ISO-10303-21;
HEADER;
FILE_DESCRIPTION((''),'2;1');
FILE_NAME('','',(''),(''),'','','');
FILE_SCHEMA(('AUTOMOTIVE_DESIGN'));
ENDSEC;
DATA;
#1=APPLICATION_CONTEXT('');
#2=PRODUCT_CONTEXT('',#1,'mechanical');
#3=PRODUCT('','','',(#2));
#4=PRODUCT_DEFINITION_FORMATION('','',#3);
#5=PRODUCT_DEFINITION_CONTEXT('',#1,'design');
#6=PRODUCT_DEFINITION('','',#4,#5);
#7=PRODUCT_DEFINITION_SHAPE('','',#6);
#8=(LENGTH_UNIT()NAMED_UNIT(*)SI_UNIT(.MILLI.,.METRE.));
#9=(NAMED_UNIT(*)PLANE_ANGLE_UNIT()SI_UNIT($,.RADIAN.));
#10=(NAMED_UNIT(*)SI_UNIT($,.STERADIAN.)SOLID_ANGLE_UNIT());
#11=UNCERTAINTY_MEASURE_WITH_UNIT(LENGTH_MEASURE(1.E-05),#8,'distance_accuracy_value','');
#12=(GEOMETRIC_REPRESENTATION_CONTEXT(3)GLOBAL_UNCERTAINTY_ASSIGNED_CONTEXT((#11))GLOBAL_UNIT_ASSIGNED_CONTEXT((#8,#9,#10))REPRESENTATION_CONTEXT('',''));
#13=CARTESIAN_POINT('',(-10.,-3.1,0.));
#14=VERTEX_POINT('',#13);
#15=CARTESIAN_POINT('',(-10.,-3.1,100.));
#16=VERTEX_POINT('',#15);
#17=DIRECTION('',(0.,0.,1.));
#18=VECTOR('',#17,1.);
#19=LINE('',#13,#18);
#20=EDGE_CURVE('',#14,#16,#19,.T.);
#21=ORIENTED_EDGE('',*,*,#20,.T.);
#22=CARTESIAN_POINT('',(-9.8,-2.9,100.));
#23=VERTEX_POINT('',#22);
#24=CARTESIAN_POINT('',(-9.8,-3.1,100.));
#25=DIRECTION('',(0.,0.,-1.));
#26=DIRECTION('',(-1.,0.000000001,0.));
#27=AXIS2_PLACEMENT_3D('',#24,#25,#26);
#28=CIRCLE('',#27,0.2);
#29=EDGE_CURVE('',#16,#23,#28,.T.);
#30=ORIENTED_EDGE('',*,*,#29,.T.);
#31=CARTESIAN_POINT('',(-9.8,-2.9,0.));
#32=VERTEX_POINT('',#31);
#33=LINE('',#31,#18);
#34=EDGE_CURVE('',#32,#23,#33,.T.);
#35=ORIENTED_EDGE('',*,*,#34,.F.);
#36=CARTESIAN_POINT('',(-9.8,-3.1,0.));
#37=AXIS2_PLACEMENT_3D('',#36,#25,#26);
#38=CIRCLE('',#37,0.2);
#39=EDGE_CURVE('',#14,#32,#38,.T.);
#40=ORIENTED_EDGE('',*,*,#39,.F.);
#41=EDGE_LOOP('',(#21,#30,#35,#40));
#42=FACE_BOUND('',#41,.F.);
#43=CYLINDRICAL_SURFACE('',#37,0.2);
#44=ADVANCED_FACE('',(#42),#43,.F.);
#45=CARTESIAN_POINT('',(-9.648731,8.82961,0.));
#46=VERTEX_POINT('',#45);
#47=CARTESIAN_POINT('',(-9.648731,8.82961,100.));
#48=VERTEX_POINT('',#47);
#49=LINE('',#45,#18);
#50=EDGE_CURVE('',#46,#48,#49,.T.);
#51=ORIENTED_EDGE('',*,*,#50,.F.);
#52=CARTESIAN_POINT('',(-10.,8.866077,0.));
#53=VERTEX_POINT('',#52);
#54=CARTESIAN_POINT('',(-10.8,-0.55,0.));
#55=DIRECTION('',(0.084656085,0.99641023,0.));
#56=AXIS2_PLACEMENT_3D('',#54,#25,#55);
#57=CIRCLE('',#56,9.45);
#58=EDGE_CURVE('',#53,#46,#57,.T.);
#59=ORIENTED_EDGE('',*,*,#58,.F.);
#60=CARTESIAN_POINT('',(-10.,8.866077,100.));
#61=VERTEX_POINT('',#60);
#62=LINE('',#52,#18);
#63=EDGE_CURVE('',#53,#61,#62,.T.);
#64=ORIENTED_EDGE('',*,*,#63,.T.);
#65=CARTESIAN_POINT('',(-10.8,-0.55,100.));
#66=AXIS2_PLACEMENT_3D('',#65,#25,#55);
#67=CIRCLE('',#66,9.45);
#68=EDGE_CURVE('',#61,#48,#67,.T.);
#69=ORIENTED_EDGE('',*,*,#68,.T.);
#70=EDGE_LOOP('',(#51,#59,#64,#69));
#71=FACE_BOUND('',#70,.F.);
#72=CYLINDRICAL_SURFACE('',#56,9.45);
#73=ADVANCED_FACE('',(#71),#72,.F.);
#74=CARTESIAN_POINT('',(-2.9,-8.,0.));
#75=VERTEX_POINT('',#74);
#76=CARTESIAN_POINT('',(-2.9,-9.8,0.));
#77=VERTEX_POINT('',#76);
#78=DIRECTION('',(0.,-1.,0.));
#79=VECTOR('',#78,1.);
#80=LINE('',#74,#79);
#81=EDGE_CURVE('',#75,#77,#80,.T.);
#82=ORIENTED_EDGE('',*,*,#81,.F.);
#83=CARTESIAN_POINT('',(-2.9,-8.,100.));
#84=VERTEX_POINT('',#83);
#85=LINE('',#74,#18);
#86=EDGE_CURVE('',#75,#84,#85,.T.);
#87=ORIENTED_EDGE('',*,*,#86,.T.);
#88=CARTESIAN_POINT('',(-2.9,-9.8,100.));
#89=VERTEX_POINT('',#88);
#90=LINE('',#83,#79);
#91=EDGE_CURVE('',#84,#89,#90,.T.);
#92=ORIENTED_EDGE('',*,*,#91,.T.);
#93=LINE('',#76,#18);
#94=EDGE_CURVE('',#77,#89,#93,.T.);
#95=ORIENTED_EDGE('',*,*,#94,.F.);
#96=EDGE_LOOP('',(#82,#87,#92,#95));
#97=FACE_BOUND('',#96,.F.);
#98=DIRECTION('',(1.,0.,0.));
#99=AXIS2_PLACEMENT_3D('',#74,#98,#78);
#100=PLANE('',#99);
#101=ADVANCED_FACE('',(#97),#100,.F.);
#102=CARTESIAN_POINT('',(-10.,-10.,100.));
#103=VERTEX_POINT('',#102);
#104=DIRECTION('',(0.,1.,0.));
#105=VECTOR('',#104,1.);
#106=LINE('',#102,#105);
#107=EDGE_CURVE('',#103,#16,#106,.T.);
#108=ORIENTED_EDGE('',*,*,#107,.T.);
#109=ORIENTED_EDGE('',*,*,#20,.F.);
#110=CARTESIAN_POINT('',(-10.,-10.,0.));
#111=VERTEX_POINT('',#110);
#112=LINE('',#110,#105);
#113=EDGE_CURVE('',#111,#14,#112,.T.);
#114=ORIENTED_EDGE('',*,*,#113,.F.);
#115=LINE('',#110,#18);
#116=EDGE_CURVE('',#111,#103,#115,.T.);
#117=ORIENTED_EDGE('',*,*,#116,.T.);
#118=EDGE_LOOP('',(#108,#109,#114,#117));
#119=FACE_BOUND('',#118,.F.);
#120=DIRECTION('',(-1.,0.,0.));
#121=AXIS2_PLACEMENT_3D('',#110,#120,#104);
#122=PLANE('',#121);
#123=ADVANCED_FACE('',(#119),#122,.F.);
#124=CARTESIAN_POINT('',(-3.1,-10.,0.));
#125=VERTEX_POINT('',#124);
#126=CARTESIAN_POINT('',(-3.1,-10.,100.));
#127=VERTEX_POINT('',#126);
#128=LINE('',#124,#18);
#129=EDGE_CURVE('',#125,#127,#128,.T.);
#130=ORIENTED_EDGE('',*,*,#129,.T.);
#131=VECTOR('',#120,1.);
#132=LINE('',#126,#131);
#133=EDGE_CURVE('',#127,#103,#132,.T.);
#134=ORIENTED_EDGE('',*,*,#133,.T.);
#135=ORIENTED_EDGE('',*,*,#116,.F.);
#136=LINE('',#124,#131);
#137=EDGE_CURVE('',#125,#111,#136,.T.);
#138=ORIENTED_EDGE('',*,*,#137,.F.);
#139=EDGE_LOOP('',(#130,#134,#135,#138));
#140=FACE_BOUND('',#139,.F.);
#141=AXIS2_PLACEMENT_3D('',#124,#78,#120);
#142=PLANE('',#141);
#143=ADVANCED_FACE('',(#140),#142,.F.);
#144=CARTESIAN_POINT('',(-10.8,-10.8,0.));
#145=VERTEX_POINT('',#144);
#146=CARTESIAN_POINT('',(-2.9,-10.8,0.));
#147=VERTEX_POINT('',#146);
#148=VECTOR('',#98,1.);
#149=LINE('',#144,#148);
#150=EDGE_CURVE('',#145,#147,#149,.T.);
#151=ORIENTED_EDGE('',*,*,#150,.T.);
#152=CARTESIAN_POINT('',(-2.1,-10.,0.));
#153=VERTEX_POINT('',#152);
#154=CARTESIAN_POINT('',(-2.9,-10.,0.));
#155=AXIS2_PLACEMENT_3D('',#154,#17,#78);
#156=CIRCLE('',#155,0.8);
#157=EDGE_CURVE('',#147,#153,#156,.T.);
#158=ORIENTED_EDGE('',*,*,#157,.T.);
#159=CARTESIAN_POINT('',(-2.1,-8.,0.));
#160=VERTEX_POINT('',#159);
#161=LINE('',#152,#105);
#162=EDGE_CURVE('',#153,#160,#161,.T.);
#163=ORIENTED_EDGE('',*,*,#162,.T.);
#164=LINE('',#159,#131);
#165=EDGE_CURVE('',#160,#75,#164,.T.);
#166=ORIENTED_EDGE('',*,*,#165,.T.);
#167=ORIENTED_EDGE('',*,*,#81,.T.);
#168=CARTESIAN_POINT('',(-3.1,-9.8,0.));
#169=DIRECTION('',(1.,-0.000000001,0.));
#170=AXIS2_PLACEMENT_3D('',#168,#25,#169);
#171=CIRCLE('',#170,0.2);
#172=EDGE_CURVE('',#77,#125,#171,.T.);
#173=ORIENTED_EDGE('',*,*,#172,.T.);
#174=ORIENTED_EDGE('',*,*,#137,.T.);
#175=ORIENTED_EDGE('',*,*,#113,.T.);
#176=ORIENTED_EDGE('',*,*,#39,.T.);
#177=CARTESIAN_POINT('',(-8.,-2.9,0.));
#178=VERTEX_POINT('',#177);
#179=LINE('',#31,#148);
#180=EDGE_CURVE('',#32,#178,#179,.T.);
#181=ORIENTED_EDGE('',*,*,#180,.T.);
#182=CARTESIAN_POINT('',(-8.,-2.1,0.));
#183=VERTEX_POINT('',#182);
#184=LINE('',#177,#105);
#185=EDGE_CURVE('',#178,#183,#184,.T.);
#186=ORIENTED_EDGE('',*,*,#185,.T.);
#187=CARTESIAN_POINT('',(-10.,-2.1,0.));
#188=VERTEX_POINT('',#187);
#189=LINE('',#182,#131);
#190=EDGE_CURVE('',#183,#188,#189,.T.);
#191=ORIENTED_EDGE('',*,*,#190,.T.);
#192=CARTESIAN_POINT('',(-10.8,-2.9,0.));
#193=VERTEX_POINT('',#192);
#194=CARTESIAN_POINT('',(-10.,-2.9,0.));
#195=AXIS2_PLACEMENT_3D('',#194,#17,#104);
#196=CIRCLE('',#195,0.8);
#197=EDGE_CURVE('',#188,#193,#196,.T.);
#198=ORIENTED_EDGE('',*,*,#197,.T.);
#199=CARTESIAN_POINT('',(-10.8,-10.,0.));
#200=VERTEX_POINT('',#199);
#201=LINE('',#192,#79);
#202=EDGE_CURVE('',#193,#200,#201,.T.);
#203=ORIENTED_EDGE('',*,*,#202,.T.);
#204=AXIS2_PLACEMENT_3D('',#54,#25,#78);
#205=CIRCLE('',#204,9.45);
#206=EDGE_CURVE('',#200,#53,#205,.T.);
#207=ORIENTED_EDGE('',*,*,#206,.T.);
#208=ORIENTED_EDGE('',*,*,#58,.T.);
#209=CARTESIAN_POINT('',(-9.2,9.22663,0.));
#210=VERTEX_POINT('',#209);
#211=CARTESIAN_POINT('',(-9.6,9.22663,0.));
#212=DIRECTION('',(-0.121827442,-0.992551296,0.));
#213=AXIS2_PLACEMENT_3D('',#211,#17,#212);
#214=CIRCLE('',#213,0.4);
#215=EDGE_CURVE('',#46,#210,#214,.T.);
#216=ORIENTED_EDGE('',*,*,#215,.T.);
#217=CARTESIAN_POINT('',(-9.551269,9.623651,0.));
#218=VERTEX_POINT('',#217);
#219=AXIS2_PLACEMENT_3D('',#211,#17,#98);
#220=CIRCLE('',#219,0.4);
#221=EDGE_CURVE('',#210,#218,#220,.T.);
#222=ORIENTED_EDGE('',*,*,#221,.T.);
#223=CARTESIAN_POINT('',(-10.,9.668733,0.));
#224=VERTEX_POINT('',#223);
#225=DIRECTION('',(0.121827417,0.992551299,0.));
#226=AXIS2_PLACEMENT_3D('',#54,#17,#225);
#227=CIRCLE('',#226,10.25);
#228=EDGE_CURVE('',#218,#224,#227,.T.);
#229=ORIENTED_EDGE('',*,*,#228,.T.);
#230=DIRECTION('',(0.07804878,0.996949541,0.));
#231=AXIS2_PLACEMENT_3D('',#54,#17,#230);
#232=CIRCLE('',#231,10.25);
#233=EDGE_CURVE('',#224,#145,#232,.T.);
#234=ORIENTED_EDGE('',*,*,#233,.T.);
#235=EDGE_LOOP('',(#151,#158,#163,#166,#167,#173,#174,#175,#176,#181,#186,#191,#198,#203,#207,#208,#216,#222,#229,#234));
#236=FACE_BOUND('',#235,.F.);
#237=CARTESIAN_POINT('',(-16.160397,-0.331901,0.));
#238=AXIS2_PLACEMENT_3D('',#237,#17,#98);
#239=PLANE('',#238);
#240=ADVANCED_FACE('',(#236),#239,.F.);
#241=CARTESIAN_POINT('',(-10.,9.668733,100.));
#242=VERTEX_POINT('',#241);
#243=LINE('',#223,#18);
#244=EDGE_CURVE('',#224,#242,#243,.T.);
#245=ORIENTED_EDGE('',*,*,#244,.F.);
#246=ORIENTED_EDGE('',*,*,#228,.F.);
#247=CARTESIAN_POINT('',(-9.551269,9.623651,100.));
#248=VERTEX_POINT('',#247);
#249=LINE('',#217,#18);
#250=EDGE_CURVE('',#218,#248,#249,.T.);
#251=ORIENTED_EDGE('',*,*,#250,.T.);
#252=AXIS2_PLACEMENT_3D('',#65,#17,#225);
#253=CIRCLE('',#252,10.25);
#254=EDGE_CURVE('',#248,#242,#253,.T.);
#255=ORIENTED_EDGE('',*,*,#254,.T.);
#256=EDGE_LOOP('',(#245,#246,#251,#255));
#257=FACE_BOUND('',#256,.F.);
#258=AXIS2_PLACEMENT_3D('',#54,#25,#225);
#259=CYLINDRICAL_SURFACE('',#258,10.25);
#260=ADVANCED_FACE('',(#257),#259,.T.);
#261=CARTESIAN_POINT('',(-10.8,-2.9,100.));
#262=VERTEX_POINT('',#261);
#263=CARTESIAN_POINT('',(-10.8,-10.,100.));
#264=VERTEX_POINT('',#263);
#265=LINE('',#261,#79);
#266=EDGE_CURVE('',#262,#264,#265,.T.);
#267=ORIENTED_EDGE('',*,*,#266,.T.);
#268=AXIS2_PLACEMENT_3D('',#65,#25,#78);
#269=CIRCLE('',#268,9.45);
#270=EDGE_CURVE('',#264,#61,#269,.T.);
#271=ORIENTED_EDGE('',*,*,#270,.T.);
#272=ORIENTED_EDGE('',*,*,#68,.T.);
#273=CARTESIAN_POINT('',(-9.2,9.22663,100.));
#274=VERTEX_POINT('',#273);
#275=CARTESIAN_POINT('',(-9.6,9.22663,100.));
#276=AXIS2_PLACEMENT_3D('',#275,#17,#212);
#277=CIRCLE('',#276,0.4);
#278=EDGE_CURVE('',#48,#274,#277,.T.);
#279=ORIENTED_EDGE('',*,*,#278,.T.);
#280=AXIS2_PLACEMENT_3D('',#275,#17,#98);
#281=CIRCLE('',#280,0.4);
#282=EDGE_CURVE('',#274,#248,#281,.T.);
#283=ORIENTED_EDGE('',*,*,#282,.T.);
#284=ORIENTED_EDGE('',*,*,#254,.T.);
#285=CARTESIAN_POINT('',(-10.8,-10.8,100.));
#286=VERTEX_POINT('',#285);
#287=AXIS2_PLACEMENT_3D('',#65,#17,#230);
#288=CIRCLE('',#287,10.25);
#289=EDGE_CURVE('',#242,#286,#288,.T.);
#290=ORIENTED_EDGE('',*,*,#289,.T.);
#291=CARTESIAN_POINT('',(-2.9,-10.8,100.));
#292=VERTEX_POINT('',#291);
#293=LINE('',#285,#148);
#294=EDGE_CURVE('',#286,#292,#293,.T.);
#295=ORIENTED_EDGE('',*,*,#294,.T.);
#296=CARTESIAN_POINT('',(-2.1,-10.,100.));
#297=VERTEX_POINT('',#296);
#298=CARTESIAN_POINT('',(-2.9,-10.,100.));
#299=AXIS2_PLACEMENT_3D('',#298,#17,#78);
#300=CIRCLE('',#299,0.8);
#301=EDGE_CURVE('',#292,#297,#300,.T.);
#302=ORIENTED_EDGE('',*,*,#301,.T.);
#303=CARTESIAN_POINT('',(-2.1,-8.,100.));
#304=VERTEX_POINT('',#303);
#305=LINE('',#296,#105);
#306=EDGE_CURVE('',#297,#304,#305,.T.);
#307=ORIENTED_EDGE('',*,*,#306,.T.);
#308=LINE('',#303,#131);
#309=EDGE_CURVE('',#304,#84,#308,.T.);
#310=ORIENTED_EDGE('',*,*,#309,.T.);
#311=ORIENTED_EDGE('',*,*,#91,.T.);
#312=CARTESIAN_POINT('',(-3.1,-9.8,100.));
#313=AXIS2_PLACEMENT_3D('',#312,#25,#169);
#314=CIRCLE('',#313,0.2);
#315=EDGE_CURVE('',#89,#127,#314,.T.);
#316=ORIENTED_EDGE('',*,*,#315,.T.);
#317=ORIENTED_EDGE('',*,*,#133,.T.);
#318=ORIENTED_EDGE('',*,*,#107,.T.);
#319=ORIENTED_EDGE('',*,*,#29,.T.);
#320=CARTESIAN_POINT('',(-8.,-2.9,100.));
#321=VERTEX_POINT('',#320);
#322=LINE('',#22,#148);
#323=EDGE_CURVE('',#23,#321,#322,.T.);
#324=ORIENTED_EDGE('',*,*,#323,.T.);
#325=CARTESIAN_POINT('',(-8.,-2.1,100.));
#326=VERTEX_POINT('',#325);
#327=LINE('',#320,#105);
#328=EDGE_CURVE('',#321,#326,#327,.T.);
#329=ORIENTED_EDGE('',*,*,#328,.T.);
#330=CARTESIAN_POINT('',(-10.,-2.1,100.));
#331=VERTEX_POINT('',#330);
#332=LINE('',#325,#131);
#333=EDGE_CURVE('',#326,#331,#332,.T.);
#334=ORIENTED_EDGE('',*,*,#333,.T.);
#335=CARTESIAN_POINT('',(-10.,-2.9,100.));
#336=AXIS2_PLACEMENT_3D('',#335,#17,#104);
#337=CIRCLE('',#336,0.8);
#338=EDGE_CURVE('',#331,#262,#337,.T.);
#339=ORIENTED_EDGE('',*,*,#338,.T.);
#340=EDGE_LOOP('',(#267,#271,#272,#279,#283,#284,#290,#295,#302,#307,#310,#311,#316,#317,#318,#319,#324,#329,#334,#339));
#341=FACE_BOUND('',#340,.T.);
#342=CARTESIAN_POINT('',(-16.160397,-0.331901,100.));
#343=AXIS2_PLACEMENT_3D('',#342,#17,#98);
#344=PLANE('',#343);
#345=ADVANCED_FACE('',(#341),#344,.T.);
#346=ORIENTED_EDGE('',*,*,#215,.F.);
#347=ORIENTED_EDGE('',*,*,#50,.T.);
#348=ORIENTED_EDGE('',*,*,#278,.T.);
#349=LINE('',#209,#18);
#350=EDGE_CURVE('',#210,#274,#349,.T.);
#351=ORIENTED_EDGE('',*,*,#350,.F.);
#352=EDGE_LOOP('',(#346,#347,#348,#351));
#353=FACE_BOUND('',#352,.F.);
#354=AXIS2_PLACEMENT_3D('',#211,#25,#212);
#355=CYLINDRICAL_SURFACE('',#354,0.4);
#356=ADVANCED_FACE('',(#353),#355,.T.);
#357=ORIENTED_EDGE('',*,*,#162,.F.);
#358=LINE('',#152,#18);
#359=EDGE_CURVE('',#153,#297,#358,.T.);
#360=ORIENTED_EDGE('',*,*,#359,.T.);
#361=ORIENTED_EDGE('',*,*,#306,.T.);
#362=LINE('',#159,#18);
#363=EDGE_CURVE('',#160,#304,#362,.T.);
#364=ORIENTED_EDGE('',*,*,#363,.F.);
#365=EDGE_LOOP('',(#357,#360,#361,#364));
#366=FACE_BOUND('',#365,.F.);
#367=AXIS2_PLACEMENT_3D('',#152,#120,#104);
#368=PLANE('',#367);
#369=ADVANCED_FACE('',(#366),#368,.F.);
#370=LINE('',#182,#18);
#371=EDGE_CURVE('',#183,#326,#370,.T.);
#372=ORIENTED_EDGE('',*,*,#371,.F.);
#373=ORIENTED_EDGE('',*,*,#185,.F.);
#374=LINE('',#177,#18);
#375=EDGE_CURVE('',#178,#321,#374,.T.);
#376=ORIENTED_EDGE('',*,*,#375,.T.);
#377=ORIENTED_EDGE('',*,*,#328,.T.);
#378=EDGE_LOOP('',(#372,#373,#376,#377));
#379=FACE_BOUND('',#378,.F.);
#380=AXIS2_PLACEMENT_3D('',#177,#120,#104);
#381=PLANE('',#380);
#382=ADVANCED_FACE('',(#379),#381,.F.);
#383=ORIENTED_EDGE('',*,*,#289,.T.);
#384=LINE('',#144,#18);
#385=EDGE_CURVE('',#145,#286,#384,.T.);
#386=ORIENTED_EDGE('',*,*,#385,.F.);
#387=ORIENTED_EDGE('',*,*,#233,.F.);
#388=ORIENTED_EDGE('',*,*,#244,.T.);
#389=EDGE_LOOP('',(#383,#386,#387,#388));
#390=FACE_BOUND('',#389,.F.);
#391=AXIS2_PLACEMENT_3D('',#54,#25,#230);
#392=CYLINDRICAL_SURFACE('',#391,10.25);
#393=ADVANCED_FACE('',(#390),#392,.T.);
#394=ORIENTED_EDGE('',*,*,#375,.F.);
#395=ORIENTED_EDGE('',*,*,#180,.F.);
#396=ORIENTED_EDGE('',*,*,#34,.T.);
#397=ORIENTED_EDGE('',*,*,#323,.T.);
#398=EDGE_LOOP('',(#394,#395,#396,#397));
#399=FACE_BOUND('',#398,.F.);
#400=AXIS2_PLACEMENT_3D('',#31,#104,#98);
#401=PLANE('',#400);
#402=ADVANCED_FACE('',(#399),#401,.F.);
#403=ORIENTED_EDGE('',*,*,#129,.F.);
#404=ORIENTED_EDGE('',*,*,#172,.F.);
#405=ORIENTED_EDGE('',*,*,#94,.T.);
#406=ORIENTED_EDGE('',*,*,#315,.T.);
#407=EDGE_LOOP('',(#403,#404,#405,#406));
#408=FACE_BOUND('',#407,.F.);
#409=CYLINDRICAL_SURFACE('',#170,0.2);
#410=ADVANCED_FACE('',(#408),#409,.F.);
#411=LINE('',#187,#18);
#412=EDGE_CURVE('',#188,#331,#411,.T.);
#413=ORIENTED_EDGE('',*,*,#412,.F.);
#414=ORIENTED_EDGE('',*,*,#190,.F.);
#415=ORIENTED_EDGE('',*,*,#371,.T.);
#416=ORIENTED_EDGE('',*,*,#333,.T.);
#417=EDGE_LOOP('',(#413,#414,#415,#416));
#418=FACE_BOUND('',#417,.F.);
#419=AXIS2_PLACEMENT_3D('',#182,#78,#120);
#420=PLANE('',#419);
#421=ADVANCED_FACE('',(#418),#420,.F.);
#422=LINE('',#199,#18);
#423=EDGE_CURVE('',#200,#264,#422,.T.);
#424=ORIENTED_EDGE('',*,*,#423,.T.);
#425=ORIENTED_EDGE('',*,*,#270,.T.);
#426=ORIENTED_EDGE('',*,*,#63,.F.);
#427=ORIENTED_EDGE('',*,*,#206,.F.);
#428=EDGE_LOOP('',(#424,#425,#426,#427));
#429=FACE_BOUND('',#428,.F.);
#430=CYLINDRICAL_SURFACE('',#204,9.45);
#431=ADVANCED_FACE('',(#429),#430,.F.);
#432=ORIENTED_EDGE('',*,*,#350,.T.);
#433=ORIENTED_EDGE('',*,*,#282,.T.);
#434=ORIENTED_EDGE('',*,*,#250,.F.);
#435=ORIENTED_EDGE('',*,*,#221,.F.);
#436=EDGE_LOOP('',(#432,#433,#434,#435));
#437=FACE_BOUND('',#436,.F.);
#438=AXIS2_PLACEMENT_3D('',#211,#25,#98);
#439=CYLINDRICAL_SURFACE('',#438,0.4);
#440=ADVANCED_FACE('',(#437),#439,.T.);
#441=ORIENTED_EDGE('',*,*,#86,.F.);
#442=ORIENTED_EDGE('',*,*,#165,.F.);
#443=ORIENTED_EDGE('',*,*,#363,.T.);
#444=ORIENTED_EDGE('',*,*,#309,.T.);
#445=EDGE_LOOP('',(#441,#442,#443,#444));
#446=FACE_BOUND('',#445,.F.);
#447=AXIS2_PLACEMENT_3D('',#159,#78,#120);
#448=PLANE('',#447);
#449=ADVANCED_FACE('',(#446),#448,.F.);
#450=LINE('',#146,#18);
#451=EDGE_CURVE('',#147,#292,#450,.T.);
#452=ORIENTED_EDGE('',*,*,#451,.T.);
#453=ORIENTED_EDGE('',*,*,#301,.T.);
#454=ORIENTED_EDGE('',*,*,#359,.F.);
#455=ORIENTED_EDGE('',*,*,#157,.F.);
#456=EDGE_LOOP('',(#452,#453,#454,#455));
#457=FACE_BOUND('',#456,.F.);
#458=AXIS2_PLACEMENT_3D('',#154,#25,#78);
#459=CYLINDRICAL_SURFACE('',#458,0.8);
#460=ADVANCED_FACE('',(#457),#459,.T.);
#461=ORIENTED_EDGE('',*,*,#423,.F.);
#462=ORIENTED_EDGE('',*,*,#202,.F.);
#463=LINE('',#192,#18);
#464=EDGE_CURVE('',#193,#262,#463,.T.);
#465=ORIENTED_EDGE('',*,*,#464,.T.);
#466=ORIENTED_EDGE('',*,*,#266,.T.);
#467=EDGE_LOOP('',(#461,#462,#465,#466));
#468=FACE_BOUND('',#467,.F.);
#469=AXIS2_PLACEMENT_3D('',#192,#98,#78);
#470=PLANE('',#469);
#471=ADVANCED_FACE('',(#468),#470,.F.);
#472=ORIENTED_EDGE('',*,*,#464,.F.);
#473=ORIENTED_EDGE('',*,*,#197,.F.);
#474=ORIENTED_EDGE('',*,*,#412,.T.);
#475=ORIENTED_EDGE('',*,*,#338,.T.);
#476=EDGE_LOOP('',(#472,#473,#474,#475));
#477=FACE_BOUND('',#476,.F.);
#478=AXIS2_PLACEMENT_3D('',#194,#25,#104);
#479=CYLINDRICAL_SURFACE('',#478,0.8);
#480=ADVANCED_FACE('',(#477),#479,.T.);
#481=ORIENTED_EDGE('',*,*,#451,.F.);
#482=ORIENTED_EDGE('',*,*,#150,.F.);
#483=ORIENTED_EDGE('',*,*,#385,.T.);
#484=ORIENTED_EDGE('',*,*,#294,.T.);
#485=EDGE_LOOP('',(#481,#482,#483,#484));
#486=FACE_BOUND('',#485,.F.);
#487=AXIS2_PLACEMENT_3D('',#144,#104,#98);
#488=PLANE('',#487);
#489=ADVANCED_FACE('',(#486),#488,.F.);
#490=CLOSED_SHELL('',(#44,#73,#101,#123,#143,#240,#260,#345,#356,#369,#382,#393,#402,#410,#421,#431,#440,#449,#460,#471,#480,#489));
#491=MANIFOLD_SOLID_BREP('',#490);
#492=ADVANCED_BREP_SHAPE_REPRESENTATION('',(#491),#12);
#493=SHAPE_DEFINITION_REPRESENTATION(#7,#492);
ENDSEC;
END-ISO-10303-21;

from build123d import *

# Parameters (mm, degrees)
F1_DEPTH = 100


with BuildPart() as f1:
    # F0 (on Top) → F1 (new body)
    with BuildSketch(Plane.XY):
        with BuildLine():
            ThreePointArc((-10, 9.6687327982), (-21.0421802167, -0.1496946047), (-10.8, -10.8))
            Line((-10.8, -10.8), (-10.8, -10))
            ThreePointArc((-10.8, -10), (-20.2415153605, -0.1496405391), (-10, 8.8660766777))
            Line((-10, 8.8660766777), (-10, 9.2266302988))
            Line((-10, 9.2266302988), (-10, 9.6687327982))
        make_face()
        with BuildLine():
            Line((-10.8, -2.9), (-10.8, -10))
            ThreePointArc((-10.8, -10), (-10.3996405391, -9.9915153605), (-10, -9.9660766777))
            Line((-10, -9.9660766777), (-10, -3.1))
            ThreePointArc((-10, -3.1), (-9.9414213562, -2.9585786438), (-9.8, -2.9))
            Line((-9.8, -2.9), (-8, -2.9))
            Line((-8, -2.9), (-8, -2.1))
            Line((-8, -2.1), (-10, -2.1))
            ThreePointArc((-10, -2.1), (-10.5656854249, -2.3343145751), (-10.8, -2.9))
        make_face()
        with BuildLine():
            Line((-10.8, -10), (-10.8, -10.8))
            ThreePointArc((-10.8, -10.8), (-8.7751543269, -10.5980097532), (-6.8301133517, -10))
            Line((-6.8301133517, -10), (-10, -10))
            Line((-10, -10), (-10, -9.9660766777))
            ThreePointArc((-10, -9.9660766777), (-10.3996405391, -9.9915153605), (-10.8, -10))
        make_face()
        with BuildLine():
            Line((-2.1, -10), (-2.1, -8))
            Line((-2.1, -8), (-2.9, -8))
            Line((-2.9, -8), (-2.9, -9.8))
            ThreePointArc((-2.9, -9.8), (-2.9585786438, -9.9414213562), (-3.1, -10))
            Line((-3.1, -10), (-6.8301133517, -10))
            ThreePointArc((-6.8301133517, -10), (-8.7751543269, -10.5980097532), (-10.8, -10.8))
            Line((-10.8, -10.8), (-2.9, -10.8))
            ThreePointArc((-2.9, -10.8), (-2.3343145751, -10.5656854249), (-2.1, -10))
        make_face()
        with BuildLine():
            ThreePointArc((-9.5512689743, 9.6236508111), (-9.8650543244, 9.5262070088), (-10, 9.2266302988))
            ThreePointArc((-10, 9.2266302988), (-9.8995766936, 8.9615759561), (-9.6487309769, 8.8296097806))
            ThreePointArc((-9.6487309769, 8.8296097806), (-9.3349456572, 8.9270536052), (-9.2, 9.2266302988))
            ThreePointArc((-9.2, 9.2266302988), (-9.3004232901, 9.4916846232), (-9.5512689743, 9.6236508111))
        make_face()
        with BuildLine():
            ThreePointArc((-9.5512689743, 9.6236508111), (-9.7753865117, 9.6486600688), (-10, 9.6687327982))
            Line((-10, 9.6687327982), (-10, 9.2266302988))
            ThreePointArc((-10, 9.2266302988), (-9.8650543244, 9.5262070088), (-9.5512689743, 9.6236508111))
        make_face()
        with BuildLine():
            ThreePointArc((-9.6487309769, 8.8296097806), (-9.8995766936, 8.9615759561), (-10, 9.2266302988))
            Line((-10, 9.2266302988), (-10, 8.8660766777))
            ThreePointArc((-10, 8.8660766777), (-9.8241951226, 8.8494842859), (-9.6487309769, 8.8296097806))
        make_face()
    extrude(amount=F1_DEPTH)


solid = f1.part
